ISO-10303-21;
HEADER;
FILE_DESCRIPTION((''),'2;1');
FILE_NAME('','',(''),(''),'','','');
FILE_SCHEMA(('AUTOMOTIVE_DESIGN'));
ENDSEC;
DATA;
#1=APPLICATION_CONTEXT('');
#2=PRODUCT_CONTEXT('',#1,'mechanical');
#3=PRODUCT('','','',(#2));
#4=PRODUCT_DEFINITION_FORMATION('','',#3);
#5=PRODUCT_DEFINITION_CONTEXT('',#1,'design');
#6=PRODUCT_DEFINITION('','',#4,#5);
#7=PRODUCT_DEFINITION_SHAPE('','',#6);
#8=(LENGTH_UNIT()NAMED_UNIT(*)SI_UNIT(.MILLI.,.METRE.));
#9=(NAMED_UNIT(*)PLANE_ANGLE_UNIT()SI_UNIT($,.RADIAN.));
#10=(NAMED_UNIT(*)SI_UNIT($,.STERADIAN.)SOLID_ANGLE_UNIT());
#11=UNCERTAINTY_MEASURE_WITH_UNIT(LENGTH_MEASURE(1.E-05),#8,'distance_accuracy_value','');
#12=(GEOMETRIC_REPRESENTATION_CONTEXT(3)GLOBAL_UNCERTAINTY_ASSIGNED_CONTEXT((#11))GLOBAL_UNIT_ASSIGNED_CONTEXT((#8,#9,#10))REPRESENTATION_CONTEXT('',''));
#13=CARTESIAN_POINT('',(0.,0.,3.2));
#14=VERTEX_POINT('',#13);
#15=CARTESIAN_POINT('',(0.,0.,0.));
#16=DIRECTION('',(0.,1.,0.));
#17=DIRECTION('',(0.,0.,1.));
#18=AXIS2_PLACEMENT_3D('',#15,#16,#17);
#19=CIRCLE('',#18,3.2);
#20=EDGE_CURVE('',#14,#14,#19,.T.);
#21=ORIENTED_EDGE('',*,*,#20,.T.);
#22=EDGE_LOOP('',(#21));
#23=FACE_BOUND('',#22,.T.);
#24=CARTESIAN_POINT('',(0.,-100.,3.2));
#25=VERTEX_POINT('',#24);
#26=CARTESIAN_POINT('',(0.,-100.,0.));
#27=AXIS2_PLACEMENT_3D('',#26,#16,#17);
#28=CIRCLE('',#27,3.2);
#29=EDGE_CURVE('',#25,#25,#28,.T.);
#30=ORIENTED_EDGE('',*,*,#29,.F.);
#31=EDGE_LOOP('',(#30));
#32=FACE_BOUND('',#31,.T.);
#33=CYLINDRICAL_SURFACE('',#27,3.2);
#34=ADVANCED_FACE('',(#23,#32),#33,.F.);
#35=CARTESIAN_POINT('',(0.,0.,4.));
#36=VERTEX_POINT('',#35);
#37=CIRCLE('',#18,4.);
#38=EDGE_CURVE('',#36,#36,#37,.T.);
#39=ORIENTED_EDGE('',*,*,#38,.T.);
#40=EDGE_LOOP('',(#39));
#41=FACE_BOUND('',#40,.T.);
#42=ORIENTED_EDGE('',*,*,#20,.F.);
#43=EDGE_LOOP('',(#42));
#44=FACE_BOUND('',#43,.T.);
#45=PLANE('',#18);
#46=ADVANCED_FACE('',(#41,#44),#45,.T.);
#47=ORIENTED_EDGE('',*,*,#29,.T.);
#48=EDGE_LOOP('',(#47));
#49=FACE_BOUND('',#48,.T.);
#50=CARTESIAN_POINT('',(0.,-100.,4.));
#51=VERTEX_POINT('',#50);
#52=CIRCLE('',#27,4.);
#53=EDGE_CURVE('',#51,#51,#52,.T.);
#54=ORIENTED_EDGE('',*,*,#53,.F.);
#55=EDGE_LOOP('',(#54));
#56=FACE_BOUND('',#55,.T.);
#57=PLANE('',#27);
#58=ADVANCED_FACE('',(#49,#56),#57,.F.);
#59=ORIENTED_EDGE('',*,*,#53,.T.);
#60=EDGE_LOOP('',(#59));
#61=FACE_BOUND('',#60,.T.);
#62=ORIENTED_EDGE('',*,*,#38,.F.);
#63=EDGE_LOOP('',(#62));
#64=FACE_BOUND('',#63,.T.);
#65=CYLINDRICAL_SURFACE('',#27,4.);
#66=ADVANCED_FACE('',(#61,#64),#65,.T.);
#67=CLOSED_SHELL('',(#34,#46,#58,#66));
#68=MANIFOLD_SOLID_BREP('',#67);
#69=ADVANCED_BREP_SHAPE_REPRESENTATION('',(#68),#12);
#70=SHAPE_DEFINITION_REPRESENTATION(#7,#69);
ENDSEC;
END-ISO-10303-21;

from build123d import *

# Parameters (mm, degrees)
SKETCH1_R           = 4
BOSS_EXTRUDE1_DEPTH = 100
SKETCH3_R           = 3.2
CUT_EXTRUDE3_DEPTH  = 101.159872204


with BuildPart() as part:
    # Sketch1 → Boss-Extrude1 (new body)
    with BuildSketch(Plane(origin=(0, 0, 0), x_dir=(1, 0, 0), z_dir=(0, 1, 0))):
        with Locations(Location((0, 0, 0), (0, 0, 270))):
            Circle(SKETCH1_R)
    extrude(amount=-BOSS_EXTRUDE1_DEPTH)

    # Sketch3 → Cut-Extrude3 (cut, through all)
    with BuildSketch(Plane(origin=(0, 0, 0), x_dir=(1, 0, 0), z_dir=(0, 1, 0))):
        with Locations(Location((0, 0, 0), (0, 0, 270))):
            Circle(SKETCH3_R)
    extrude(amount=-CUT_EXTRUDE3_DEPTH, mode=Mode.SUBTRACT)


solid = part.part
